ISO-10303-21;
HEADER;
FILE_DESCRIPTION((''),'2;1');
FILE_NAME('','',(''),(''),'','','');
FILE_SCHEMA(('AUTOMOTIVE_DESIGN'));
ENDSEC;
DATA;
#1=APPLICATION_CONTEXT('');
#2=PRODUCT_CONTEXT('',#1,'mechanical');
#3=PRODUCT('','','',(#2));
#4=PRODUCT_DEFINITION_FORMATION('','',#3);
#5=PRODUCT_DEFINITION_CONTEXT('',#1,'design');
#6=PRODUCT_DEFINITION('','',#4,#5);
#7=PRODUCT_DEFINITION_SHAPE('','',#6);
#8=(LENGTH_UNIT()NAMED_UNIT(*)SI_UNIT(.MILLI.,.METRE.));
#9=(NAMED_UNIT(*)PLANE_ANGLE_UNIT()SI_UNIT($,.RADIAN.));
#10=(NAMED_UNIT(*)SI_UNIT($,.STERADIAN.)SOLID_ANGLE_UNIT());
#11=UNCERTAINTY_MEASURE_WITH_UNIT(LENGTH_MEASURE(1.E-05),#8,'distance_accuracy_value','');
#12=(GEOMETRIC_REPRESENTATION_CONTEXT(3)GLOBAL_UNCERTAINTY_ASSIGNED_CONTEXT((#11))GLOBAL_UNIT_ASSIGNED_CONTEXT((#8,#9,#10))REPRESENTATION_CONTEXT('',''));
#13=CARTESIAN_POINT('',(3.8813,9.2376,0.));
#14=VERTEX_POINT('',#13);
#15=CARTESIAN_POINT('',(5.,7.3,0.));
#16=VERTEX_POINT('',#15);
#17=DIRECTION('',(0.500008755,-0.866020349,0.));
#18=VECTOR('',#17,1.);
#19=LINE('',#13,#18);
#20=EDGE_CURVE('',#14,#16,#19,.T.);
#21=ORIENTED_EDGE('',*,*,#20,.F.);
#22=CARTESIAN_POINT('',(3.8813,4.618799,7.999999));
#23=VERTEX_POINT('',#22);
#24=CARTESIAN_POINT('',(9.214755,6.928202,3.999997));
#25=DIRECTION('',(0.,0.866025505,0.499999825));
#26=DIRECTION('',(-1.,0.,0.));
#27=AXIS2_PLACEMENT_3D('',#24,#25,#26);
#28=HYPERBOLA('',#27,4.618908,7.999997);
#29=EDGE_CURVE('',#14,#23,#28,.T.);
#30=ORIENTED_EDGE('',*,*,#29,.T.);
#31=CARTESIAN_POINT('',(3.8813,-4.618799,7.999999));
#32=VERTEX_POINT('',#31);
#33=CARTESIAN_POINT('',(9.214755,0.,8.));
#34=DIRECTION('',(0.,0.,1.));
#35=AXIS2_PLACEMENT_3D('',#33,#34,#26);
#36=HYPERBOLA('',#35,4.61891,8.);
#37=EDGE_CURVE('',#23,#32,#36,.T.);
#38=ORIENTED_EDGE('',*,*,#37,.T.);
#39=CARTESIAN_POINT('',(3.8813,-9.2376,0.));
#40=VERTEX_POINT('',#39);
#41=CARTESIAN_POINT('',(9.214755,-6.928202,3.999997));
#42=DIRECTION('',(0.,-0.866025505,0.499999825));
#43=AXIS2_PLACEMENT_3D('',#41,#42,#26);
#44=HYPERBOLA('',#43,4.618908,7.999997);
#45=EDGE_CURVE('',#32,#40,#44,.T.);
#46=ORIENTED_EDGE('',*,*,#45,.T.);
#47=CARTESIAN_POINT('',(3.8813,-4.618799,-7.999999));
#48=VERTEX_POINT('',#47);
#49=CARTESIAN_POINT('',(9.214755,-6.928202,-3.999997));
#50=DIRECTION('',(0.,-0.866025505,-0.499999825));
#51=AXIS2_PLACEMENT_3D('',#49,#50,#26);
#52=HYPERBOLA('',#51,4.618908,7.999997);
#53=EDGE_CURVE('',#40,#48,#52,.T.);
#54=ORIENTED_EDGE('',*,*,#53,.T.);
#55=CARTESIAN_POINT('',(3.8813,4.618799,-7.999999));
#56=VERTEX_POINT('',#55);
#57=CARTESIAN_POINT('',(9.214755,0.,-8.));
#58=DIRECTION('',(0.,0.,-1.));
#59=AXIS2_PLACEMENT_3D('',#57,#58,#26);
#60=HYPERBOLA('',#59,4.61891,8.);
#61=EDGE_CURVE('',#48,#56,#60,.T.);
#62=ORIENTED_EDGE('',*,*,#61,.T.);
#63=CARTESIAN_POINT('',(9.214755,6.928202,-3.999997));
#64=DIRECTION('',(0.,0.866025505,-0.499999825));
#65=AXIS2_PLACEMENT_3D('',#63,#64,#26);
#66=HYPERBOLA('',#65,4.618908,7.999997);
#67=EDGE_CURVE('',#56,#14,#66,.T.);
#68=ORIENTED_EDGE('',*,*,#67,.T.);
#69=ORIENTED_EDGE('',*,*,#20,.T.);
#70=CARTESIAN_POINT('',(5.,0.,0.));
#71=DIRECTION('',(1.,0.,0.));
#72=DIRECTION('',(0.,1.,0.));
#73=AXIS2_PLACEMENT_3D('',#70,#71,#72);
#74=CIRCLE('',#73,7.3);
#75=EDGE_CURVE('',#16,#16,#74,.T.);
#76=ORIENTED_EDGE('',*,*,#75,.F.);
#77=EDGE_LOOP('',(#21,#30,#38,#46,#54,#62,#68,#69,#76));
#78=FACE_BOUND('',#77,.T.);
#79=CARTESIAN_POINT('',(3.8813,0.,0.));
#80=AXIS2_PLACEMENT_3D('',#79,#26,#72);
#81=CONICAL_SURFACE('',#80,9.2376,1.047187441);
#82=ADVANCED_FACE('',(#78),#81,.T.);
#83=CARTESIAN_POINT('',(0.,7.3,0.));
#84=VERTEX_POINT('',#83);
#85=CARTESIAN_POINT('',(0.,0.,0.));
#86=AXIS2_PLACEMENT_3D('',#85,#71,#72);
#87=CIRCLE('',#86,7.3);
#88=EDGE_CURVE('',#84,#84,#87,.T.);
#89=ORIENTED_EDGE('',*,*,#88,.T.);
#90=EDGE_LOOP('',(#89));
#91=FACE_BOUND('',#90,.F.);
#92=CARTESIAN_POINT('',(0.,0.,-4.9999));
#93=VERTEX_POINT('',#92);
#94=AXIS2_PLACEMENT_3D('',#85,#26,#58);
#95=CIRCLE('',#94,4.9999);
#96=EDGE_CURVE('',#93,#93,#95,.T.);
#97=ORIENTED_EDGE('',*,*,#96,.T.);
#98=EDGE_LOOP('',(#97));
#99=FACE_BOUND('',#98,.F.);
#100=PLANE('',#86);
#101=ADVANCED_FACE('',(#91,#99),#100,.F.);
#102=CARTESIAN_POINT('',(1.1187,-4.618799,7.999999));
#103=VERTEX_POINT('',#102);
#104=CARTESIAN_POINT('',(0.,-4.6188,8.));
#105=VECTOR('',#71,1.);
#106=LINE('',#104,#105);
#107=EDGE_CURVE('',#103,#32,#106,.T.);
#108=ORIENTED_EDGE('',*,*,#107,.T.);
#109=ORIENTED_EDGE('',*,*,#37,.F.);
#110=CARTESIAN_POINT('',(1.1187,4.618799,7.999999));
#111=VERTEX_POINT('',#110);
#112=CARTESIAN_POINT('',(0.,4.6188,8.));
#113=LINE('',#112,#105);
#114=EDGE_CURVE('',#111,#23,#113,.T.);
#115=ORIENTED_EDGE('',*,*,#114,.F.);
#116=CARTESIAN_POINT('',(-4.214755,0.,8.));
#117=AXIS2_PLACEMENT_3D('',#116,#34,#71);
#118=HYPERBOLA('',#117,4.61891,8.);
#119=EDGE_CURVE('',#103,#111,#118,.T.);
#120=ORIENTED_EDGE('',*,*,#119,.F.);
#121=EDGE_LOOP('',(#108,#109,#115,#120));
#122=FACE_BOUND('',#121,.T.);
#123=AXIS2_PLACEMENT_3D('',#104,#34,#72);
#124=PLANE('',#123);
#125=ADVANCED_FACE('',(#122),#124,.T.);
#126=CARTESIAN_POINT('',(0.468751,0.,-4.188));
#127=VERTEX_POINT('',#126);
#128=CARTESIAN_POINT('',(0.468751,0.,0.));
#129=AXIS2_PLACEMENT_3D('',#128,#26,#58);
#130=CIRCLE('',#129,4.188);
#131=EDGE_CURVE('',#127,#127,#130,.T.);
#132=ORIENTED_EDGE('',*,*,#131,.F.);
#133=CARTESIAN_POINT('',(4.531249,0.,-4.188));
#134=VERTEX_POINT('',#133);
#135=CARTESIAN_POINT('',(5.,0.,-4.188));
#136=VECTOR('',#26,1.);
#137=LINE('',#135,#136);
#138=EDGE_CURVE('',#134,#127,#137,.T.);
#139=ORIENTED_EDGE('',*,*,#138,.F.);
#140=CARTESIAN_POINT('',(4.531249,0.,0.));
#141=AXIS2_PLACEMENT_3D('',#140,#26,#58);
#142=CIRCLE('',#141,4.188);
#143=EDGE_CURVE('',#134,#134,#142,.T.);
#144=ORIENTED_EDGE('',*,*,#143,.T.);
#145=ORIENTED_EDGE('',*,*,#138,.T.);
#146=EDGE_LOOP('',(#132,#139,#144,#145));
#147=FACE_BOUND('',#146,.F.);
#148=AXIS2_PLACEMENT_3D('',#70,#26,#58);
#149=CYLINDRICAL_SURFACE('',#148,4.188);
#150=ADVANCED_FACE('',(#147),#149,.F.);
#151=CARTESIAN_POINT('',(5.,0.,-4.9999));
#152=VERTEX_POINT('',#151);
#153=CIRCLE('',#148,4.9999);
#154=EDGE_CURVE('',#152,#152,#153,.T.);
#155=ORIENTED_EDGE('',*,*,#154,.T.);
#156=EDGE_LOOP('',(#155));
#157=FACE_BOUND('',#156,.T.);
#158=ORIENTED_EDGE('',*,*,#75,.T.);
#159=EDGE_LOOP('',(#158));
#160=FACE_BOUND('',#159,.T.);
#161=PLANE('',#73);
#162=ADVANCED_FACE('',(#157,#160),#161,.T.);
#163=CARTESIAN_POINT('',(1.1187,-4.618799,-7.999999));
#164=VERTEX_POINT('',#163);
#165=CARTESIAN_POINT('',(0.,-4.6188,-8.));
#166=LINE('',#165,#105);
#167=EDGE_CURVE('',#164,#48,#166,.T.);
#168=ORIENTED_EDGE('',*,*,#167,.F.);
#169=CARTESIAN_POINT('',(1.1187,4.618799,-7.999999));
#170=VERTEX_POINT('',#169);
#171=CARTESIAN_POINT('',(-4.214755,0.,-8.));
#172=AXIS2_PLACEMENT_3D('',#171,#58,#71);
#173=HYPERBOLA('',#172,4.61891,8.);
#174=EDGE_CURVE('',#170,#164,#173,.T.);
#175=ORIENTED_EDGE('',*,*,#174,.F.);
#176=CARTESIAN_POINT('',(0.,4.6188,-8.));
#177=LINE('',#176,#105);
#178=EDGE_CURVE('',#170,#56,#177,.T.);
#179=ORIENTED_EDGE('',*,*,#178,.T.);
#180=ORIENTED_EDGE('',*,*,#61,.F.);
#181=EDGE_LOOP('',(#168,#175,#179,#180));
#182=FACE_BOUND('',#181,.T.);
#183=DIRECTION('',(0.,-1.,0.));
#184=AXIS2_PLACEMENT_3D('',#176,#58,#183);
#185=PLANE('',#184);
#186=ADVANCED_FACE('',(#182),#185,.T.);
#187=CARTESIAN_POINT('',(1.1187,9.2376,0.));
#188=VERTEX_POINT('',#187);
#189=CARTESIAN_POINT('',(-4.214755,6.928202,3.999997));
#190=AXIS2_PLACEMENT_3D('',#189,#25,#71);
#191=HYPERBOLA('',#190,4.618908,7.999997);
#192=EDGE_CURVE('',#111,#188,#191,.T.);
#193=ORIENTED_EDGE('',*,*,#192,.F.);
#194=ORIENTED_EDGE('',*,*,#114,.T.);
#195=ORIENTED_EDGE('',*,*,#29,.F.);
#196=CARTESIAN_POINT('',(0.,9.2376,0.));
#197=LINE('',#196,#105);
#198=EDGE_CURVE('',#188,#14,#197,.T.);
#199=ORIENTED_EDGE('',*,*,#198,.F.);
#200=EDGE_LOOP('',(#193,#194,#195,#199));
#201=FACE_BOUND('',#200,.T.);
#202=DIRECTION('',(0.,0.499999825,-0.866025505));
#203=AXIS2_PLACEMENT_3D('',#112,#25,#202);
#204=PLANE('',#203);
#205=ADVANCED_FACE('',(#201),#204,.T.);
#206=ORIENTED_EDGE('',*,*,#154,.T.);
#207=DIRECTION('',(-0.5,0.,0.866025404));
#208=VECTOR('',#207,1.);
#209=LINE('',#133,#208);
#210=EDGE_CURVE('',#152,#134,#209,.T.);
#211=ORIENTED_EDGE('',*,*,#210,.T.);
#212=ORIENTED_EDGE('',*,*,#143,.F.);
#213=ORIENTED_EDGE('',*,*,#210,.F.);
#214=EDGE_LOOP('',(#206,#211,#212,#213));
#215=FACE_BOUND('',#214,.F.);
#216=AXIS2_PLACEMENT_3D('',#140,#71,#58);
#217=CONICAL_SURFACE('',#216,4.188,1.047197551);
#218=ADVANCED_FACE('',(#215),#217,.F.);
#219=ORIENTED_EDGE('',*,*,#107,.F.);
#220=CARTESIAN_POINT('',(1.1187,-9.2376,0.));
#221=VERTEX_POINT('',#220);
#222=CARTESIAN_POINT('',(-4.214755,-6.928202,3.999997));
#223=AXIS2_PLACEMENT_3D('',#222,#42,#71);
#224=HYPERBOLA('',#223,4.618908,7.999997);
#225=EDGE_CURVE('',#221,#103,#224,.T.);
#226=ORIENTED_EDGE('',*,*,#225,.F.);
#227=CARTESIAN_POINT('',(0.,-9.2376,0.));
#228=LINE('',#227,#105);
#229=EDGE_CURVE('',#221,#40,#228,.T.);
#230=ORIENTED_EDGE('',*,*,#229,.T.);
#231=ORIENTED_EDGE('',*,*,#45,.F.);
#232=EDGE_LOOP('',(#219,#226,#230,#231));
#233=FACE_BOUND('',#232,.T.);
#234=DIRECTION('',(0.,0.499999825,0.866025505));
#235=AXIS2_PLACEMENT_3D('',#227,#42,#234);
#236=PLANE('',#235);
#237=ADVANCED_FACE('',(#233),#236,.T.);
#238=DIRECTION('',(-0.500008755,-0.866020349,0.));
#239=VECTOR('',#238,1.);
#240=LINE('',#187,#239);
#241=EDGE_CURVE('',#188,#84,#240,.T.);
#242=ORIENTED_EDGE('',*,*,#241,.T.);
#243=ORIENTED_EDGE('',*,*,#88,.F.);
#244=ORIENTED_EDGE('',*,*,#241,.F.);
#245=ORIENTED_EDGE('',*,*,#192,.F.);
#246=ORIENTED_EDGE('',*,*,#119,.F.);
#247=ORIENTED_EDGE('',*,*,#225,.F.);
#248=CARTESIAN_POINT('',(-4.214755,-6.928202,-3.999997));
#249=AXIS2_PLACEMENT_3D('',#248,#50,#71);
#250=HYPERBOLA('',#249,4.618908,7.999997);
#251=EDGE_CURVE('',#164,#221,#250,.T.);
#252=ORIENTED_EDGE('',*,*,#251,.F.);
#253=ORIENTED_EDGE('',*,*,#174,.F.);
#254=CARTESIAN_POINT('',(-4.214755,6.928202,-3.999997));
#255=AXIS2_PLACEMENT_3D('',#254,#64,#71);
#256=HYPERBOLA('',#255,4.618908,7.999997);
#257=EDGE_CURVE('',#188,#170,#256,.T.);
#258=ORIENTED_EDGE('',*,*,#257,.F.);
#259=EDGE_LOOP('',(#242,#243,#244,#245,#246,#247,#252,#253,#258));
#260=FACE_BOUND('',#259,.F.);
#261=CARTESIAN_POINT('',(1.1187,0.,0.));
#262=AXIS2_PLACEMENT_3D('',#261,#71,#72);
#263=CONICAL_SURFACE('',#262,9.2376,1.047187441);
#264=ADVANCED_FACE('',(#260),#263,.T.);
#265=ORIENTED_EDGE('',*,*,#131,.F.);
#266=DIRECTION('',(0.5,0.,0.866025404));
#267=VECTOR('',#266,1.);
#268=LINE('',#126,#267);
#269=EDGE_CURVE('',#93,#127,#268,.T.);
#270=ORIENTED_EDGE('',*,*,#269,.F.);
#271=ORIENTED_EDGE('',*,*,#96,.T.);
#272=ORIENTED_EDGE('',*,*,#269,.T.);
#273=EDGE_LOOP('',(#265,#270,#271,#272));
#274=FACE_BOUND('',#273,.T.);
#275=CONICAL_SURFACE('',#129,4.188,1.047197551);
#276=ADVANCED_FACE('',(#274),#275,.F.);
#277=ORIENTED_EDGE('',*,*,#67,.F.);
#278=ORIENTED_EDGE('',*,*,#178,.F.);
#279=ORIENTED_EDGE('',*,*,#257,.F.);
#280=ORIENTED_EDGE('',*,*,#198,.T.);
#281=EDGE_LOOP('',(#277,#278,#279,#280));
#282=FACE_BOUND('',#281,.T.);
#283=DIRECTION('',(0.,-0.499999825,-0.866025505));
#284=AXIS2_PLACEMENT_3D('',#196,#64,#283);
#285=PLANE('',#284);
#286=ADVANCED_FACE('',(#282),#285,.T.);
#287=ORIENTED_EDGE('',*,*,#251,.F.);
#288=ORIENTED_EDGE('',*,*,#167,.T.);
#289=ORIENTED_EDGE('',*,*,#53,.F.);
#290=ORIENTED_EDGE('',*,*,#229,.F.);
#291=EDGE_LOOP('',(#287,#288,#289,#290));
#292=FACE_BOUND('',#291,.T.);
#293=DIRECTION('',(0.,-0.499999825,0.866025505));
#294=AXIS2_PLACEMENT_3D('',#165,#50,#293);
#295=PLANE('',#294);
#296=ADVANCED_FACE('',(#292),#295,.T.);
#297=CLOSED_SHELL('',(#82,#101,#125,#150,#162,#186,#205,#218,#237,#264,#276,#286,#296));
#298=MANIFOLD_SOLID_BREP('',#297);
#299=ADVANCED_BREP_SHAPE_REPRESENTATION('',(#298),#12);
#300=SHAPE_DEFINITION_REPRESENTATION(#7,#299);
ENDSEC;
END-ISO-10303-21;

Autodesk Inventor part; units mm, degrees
ref_plane "YZ Plane" through (0, 0, 0) normal (1, 0, 0) x (0, 1, 0)
ref_plane "XZ Plane" through (0, 0, 0) normal (0, 1, 0) x (-1, 0, 0)
sketch "Sketch1" plane through (0, 0, 0) normal (1, 0, 0) x (0, 1, 0)
  line L0 (-9.2376, 0) -> (-4.6188, 8)
  line L1 (-4.6188, 8) -> (4.6188, 8)
  line L2 (4.6188, 8) -> (9.2376, 0)
  line L3 (9.2376, 0) -> (4.6188, -8)
  line L4 (4.6188, -8) -> (-4.6188, -8)
  line L5 (-4.6188, -8) -> (-9.2376, 0)
  point P0 (0, 0)
  point P1 (0, 0)
  dimension "d0" = 18.4752
extrude "Body" add sketch "Sketch1" along normal blind 5
sketch "Sketch2" plane through (0, 0, 0) normal (0, 0, 1) x (1, 0, 0)
  line L0 (0, 4.6188) -> (0, 9.2376) projected
  line L1 (0, 9.2376) -> (5, 9.2376) projected
  line L2 (5, 4.6188) -> (5, 9.2376) projected
  line L3 (-1, 0) -> (6, 0) projected
  line L4 (1.1187, 9.2376) -> (0, 7.3)
  line L5 (3.8813, 9.2376) -> (5, 7.3)
  dimension "d3" = 30
  dimension "d4" = 30
  dimension "d5" = 14.6
  dimension "d6" = 14.6
revolve "Chamfer1" cut sketch "Sketch2" angle 360 about axis through (-10, 0, 0) along (1, 0, 0)
sketch "Sketch3" plane through (5, 0, 0) normal (1, 0, 0) x (0, 0, -1)
  arc A0 (-0.625, -1.0825) -> (0.625, -1.0825) centre (0, 0) ccw projected
hole "Thread" at (5, 0, 0) direction (-1, 0, 0) diameter 8.376 end through all thread size "M10x1.5" class "6H" standard "ISO Metric profile"
chamfer "Chamfer2" distance 0.8119 angle 30 1 edges at (5, 0, 4.188) measured on face at (5, 6.1818, -0.7506)
chamfer "Chamfer3" distance 0.8119 angle 30 1 edges at (0, 0, 4.188) measured on face at (0, 6.1818, -0.7506)
ref_plane "Work Plane1" through (-20.0362, 0, 0) normal (0, -0.866, -0.5) x (1, 0, 0)
equation "\"d0\" = 1.1547 * SW"
equation "\"d1\" = KOH"
equation "\"d3\" = ANG1"
equation "\"d4\" = ANG2"
equation "\"d5\" = SW0"
equation "\"d6\" = SW01"
equation "\"d8\" = -0.5 * GD1 + 0.5 * NND"
equation "\"d40\" = -0.5 * GD1 + 0.5 * NND"
equation "\"d10\" = -0.5 * GD1 + 0.5 * NND"
equation "\"d41\" = -0.5 * GD1 + 0.5 * NND"
equation "\"ANG1\" = 30deg"
equation "\"ANG2\" = 30deg"
equation "\"KOH\" = 5"
equation "\"SW\" = 16"
equation "\"SW0\" = 14.6"
equation "\"SW01\" = SW0"
equation "\"GUL\" = 0.541266 * PTC"
equation "\"TOA\" = 30deg"
equation "\"PTC\" = 1.5"
equation "\"E0\" = 1.155 * SW"
equation "\"GAL\" = 0.541266 * PTC"
equation "\"GD1\" = 8.376202"
equation "\"NND\" = 10"
properties part number "ISO 4035 - M10" material "Stainless Steel, 440C"
